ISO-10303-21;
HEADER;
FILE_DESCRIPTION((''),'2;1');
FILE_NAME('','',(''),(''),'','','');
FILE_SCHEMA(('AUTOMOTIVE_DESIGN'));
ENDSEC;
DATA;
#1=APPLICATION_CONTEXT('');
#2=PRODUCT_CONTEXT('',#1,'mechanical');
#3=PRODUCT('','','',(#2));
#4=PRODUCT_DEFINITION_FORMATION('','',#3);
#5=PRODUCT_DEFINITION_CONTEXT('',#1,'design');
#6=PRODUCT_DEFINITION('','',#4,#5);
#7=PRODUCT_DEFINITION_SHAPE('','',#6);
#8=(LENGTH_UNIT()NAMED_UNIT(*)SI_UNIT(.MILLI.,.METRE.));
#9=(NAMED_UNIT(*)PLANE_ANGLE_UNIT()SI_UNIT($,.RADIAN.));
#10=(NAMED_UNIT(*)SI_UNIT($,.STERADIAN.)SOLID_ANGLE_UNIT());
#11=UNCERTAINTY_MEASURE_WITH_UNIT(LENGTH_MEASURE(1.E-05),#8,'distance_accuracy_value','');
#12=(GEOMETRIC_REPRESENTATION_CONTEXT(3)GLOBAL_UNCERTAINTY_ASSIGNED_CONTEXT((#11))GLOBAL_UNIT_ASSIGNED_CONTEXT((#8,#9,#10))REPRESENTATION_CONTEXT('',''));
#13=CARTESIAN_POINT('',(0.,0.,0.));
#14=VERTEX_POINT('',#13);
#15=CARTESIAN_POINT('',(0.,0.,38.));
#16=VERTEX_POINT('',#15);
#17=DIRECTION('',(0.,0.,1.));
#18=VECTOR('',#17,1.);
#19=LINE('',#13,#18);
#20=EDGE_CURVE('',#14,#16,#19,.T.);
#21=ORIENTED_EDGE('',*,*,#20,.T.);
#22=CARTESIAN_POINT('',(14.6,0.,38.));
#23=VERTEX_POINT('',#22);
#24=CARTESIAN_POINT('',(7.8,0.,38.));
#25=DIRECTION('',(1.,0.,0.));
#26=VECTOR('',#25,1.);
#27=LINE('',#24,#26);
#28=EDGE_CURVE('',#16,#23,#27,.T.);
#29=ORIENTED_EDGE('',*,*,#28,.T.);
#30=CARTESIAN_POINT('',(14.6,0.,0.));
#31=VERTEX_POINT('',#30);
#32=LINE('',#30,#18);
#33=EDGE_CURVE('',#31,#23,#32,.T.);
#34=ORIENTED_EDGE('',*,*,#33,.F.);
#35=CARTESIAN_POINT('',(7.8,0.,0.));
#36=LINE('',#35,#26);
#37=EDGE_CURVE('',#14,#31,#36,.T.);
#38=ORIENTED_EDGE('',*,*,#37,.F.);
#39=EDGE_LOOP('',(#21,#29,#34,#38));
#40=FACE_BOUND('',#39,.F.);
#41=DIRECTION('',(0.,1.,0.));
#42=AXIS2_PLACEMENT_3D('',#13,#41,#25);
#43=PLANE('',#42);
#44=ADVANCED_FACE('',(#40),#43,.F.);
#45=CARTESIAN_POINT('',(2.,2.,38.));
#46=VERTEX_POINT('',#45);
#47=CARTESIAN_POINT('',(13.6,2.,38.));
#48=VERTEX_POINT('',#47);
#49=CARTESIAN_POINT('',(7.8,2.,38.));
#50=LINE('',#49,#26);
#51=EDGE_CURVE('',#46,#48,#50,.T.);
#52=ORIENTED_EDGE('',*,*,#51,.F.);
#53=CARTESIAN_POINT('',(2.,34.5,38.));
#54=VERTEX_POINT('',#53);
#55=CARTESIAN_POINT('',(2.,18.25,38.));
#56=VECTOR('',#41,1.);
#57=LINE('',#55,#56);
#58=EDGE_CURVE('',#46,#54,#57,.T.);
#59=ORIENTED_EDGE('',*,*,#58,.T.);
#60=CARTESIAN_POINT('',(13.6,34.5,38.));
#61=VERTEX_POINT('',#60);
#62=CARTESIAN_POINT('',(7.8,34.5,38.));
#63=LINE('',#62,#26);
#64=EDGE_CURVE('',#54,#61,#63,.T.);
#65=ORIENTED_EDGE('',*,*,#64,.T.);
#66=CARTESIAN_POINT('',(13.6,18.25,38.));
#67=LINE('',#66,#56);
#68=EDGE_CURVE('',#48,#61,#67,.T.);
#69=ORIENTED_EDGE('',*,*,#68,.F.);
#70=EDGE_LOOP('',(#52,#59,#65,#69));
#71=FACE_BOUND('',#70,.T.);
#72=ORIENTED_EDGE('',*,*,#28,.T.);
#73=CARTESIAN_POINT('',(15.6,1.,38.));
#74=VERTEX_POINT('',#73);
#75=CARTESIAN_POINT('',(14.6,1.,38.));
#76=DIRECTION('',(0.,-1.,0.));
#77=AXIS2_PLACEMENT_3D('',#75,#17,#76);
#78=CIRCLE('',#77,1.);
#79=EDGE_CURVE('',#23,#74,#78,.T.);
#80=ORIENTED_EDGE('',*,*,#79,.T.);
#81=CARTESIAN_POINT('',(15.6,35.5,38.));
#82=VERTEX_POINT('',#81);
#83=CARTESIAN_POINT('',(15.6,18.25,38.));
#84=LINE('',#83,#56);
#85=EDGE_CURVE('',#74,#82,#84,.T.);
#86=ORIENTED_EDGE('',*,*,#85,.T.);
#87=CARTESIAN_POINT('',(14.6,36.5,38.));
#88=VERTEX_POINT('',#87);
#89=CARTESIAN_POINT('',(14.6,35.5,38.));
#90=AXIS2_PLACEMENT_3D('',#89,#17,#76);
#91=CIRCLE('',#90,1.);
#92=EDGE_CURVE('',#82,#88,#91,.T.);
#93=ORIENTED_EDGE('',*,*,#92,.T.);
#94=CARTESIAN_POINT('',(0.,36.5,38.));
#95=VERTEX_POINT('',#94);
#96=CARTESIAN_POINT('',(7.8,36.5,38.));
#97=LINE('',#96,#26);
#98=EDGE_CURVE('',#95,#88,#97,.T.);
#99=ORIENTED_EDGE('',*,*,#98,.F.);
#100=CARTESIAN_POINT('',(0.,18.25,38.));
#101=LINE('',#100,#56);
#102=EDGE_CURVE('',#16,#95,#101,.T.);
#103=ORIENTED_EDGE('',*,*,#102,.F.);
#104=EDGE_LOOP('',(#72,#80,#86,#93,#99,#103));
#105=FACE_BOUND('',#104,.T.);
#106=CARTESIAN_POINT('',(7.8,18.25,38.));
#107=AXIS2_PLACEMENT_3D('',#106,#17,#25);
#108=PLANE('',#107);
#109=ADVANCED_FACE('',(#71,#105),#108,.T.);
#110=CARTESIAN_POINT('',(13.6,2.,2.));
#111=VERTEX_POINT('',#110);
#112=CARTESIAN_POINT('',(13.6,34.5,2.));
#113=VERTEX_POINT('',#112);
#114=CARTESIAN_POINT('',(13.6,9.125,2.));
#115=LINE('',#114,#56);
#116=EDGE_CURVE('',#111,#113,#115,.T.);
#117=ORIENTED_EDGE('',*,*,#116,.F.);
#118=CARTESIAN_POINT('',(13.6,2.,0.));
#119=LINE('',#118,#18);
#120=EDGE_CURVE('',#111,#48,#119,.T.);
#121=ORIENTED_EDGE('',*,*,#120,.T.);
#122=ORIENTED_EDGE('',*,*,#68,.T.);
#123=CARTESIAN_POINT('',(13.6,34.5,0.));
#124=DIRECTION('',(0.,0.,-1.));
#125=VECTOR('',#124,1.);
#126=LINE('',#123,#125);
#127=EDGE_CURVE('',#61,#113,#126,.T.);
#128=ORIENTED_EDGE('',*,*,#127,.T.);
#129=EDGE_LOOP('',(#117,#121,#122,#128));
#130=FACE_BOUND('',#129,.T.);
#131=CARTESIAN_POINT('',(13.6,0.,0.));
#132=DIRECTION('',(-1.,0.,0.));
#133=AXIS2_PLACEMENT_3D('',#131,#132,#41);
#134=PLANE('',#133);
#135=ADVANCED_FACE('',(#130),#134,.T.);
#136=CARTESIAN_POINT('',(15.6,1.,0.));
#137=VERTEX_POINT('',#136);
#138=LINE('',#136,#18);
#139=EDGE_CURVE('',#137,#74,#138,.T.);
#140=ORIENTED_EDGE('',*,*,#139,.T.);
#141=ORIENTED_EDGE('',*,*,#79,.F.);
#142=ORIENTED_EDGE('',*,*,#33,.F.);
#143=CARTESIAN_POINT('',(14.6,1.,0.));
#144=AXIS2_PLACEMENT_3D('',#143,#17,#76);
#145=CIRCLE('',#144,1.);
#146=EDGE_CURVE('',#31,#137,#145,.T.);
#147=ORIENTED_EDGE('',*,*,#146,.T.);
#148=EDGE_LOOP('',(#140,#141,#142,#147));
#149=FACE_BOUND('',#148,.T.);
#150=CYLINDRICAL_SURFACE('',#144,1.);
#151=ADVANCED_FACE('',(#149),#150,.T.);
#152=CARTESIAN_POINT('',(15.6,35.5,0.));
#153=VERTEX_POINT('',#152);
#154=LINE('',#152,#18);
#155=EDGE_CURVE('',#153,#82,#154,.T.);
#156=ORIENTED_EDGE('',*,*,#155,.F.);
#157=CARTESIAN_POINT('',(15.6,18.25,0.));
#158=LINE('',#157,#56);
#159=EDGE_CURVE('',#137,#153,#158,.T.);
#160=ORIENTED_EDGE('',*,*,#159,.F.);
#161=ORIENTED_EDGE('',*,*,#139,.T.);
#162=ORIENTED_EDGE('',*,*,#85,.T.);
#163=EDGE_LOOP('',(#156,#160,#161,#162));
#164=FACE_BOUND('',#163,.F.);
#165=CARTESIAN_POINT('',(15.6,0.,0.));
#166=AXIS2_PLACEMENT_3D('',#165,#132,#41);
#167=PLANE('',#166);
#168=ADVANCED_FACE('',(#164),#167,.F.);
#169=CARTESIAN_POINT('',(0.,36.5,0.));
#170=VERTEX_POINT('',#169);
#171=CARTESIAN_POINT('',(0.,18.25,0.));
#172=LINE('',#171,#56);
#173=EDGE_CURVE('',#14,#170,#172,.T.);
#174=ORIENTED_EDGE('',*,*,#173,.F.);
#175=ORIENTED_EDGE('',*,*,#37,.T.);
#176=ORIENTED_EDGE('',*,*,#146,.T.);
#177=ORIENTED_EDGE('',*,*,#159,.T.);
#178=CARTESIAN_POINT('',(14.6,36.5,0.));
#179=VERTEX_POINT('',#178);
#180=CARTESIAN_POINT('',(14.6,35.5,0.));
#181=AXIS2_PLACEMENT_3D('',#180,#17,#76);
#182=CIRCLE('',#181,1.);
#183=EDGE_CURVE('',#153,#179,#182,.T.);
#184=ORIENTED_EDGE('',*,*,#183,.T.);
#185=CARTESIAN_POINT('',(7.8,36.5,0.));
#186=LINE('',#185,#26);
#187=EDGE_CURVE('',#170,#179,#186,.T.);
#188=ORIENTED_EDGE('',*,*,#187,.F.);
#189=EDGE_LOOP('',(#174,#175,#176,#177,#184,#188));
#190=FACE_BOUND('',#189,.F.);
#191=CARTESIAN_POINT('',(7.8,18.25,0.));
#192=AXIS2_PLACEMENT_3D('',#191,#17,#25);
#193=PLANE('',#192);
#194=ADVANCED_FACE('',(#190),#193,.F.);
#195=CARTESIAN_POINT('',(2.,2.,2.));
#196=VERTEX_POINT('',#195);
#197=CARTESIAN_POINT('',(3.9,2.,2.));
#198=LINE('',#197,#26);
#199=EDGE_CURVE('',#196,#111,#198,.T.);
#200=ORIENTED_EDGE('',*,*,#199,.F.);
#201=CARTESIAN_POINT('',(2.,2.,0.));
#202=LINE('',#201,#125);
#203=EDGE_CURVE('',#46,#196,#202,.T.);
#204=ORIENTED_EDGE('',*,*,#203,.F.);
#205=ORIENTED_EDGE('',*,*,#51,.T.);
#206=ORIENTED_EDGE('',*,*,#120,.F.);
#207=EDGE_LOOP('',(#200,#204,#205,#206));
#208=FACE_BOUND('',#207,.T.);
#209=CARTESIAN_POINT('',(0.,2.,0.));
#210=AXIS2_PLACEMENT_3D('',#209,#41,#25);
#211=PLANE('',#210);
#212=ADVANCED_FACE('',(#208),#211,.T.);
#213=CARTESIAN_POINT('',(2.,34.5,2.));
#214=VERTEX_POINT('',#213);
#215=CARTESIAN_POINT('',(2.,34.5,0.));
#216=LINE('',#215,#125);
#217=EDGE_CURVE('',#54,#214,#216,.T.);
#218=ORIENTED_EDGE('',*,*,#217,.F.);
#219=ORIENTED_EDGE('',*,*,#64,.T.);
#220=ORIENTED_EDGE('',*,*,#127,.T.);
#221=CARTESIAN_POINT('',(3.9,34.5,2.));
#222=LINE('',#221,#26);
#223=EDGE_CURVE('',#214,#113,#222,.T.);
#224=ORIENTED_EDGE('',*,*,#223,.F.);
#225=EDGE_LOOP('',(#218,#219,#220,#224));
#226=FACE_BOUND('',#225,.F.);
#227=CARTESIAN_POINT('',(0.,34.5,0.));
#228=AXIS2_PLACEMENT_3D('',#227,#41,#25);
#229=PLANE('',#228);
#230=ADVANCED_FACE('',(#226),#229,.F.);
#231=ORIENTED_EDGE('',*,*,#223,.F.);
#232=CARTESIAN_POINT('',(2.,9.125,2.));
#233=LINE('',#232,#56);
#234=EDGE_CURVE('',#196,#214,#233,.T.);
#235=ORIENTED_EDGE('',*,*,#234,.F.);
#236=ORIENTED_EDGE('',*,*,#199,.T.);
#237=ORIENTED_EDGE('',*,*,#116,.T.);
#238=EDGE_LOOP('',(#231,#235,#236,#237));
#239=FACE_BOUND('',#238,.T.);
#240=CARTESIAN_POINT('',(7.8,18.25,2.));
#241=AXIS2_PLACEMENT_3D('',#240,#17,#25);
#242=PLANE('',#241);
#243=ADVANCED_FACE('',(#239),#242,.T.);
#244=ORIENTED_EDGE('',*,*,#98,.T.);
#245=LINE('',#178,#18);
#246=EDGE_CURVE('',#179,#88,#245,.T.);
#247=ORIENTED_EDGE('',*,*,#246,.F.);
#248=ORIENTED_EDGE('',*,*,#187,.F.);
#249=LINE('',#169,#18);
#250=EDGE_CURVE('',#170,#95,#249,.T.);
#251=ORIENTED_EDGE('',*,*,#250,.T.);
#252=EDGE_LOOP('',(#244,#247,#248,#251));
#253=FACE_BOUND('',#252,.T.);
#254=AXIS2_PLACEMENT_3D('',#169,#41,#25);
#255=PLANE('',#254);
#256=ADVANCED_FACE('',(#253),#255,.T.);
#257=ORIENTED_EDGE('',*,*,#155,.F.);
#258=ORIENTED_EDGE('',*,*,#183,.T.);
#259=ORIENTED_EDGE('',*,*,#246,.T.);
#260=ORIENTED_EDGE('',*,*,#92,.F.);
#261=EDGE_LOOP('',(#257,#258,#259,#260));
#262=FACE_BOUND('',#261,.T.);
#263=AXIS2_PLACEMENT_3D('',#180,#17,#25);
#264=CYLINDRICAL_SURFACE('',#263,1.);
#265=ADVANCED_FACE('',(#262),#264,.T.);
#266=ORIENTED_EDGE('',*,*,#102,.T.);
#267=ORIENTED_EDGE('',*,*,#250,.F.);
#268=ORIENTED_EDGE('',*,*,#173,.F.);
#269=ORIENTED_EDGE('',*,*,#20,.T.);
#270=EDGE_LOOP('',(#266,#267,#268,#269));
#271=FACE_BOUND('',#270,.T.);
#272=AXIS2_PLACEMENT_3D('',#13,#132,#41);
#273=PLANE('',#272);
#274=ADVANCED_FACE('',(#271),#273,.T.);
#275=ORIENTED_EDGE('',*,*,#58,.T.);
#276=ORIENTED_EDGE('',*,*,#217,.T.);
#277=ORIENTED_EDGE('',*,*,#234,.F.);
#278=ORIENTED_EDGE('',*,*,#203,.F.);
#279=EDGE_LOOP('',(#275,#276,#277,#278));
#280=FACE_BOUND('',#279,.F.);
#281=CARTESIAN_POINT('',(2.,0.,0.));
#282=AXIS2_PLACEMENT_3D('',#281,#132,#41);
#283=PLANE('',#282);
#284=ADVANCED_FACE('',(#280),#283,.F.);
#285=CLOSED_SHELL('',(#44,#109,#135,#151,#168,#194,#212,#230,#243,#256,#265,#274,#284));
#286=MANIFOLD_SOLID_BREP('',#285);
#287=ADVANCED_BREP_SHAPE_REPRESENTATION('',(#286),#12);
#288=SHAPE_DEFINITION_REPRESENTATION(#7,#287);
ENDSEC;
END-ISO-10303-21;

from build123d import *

# Parameters (mm, degrees)
F0_W     = 15.6
F0_H     = 36.5
F1_DEPTH = 38
F2_T     = -2
F3_R     = 1


with BuildPart() as f1:
    # F0 (on Top) → F1 (new body)
    with BuildSketch(Plane.XY):
        with Locations((7.8, 18.25)):
            Rectangle(F0_W, F0_H)
    extrude(amount=F1_DEPTH)

    # F2
    f2_openings = [f1.faces().sort_by_distance(p)[0] for p in [
        (7.8, 18.25, 38),
    ]]
    offset(amount=F2_T, openings=f2_openings)

    # F3
    f3_edges = [f1.edges().sort_by_distance(p)[0] for p in [
        (15.6, 0, 19),
        (15.6, 36.5, 19),
    ]]
    fillet(f3_edges, radius=F3_R)


solid = f1.part
